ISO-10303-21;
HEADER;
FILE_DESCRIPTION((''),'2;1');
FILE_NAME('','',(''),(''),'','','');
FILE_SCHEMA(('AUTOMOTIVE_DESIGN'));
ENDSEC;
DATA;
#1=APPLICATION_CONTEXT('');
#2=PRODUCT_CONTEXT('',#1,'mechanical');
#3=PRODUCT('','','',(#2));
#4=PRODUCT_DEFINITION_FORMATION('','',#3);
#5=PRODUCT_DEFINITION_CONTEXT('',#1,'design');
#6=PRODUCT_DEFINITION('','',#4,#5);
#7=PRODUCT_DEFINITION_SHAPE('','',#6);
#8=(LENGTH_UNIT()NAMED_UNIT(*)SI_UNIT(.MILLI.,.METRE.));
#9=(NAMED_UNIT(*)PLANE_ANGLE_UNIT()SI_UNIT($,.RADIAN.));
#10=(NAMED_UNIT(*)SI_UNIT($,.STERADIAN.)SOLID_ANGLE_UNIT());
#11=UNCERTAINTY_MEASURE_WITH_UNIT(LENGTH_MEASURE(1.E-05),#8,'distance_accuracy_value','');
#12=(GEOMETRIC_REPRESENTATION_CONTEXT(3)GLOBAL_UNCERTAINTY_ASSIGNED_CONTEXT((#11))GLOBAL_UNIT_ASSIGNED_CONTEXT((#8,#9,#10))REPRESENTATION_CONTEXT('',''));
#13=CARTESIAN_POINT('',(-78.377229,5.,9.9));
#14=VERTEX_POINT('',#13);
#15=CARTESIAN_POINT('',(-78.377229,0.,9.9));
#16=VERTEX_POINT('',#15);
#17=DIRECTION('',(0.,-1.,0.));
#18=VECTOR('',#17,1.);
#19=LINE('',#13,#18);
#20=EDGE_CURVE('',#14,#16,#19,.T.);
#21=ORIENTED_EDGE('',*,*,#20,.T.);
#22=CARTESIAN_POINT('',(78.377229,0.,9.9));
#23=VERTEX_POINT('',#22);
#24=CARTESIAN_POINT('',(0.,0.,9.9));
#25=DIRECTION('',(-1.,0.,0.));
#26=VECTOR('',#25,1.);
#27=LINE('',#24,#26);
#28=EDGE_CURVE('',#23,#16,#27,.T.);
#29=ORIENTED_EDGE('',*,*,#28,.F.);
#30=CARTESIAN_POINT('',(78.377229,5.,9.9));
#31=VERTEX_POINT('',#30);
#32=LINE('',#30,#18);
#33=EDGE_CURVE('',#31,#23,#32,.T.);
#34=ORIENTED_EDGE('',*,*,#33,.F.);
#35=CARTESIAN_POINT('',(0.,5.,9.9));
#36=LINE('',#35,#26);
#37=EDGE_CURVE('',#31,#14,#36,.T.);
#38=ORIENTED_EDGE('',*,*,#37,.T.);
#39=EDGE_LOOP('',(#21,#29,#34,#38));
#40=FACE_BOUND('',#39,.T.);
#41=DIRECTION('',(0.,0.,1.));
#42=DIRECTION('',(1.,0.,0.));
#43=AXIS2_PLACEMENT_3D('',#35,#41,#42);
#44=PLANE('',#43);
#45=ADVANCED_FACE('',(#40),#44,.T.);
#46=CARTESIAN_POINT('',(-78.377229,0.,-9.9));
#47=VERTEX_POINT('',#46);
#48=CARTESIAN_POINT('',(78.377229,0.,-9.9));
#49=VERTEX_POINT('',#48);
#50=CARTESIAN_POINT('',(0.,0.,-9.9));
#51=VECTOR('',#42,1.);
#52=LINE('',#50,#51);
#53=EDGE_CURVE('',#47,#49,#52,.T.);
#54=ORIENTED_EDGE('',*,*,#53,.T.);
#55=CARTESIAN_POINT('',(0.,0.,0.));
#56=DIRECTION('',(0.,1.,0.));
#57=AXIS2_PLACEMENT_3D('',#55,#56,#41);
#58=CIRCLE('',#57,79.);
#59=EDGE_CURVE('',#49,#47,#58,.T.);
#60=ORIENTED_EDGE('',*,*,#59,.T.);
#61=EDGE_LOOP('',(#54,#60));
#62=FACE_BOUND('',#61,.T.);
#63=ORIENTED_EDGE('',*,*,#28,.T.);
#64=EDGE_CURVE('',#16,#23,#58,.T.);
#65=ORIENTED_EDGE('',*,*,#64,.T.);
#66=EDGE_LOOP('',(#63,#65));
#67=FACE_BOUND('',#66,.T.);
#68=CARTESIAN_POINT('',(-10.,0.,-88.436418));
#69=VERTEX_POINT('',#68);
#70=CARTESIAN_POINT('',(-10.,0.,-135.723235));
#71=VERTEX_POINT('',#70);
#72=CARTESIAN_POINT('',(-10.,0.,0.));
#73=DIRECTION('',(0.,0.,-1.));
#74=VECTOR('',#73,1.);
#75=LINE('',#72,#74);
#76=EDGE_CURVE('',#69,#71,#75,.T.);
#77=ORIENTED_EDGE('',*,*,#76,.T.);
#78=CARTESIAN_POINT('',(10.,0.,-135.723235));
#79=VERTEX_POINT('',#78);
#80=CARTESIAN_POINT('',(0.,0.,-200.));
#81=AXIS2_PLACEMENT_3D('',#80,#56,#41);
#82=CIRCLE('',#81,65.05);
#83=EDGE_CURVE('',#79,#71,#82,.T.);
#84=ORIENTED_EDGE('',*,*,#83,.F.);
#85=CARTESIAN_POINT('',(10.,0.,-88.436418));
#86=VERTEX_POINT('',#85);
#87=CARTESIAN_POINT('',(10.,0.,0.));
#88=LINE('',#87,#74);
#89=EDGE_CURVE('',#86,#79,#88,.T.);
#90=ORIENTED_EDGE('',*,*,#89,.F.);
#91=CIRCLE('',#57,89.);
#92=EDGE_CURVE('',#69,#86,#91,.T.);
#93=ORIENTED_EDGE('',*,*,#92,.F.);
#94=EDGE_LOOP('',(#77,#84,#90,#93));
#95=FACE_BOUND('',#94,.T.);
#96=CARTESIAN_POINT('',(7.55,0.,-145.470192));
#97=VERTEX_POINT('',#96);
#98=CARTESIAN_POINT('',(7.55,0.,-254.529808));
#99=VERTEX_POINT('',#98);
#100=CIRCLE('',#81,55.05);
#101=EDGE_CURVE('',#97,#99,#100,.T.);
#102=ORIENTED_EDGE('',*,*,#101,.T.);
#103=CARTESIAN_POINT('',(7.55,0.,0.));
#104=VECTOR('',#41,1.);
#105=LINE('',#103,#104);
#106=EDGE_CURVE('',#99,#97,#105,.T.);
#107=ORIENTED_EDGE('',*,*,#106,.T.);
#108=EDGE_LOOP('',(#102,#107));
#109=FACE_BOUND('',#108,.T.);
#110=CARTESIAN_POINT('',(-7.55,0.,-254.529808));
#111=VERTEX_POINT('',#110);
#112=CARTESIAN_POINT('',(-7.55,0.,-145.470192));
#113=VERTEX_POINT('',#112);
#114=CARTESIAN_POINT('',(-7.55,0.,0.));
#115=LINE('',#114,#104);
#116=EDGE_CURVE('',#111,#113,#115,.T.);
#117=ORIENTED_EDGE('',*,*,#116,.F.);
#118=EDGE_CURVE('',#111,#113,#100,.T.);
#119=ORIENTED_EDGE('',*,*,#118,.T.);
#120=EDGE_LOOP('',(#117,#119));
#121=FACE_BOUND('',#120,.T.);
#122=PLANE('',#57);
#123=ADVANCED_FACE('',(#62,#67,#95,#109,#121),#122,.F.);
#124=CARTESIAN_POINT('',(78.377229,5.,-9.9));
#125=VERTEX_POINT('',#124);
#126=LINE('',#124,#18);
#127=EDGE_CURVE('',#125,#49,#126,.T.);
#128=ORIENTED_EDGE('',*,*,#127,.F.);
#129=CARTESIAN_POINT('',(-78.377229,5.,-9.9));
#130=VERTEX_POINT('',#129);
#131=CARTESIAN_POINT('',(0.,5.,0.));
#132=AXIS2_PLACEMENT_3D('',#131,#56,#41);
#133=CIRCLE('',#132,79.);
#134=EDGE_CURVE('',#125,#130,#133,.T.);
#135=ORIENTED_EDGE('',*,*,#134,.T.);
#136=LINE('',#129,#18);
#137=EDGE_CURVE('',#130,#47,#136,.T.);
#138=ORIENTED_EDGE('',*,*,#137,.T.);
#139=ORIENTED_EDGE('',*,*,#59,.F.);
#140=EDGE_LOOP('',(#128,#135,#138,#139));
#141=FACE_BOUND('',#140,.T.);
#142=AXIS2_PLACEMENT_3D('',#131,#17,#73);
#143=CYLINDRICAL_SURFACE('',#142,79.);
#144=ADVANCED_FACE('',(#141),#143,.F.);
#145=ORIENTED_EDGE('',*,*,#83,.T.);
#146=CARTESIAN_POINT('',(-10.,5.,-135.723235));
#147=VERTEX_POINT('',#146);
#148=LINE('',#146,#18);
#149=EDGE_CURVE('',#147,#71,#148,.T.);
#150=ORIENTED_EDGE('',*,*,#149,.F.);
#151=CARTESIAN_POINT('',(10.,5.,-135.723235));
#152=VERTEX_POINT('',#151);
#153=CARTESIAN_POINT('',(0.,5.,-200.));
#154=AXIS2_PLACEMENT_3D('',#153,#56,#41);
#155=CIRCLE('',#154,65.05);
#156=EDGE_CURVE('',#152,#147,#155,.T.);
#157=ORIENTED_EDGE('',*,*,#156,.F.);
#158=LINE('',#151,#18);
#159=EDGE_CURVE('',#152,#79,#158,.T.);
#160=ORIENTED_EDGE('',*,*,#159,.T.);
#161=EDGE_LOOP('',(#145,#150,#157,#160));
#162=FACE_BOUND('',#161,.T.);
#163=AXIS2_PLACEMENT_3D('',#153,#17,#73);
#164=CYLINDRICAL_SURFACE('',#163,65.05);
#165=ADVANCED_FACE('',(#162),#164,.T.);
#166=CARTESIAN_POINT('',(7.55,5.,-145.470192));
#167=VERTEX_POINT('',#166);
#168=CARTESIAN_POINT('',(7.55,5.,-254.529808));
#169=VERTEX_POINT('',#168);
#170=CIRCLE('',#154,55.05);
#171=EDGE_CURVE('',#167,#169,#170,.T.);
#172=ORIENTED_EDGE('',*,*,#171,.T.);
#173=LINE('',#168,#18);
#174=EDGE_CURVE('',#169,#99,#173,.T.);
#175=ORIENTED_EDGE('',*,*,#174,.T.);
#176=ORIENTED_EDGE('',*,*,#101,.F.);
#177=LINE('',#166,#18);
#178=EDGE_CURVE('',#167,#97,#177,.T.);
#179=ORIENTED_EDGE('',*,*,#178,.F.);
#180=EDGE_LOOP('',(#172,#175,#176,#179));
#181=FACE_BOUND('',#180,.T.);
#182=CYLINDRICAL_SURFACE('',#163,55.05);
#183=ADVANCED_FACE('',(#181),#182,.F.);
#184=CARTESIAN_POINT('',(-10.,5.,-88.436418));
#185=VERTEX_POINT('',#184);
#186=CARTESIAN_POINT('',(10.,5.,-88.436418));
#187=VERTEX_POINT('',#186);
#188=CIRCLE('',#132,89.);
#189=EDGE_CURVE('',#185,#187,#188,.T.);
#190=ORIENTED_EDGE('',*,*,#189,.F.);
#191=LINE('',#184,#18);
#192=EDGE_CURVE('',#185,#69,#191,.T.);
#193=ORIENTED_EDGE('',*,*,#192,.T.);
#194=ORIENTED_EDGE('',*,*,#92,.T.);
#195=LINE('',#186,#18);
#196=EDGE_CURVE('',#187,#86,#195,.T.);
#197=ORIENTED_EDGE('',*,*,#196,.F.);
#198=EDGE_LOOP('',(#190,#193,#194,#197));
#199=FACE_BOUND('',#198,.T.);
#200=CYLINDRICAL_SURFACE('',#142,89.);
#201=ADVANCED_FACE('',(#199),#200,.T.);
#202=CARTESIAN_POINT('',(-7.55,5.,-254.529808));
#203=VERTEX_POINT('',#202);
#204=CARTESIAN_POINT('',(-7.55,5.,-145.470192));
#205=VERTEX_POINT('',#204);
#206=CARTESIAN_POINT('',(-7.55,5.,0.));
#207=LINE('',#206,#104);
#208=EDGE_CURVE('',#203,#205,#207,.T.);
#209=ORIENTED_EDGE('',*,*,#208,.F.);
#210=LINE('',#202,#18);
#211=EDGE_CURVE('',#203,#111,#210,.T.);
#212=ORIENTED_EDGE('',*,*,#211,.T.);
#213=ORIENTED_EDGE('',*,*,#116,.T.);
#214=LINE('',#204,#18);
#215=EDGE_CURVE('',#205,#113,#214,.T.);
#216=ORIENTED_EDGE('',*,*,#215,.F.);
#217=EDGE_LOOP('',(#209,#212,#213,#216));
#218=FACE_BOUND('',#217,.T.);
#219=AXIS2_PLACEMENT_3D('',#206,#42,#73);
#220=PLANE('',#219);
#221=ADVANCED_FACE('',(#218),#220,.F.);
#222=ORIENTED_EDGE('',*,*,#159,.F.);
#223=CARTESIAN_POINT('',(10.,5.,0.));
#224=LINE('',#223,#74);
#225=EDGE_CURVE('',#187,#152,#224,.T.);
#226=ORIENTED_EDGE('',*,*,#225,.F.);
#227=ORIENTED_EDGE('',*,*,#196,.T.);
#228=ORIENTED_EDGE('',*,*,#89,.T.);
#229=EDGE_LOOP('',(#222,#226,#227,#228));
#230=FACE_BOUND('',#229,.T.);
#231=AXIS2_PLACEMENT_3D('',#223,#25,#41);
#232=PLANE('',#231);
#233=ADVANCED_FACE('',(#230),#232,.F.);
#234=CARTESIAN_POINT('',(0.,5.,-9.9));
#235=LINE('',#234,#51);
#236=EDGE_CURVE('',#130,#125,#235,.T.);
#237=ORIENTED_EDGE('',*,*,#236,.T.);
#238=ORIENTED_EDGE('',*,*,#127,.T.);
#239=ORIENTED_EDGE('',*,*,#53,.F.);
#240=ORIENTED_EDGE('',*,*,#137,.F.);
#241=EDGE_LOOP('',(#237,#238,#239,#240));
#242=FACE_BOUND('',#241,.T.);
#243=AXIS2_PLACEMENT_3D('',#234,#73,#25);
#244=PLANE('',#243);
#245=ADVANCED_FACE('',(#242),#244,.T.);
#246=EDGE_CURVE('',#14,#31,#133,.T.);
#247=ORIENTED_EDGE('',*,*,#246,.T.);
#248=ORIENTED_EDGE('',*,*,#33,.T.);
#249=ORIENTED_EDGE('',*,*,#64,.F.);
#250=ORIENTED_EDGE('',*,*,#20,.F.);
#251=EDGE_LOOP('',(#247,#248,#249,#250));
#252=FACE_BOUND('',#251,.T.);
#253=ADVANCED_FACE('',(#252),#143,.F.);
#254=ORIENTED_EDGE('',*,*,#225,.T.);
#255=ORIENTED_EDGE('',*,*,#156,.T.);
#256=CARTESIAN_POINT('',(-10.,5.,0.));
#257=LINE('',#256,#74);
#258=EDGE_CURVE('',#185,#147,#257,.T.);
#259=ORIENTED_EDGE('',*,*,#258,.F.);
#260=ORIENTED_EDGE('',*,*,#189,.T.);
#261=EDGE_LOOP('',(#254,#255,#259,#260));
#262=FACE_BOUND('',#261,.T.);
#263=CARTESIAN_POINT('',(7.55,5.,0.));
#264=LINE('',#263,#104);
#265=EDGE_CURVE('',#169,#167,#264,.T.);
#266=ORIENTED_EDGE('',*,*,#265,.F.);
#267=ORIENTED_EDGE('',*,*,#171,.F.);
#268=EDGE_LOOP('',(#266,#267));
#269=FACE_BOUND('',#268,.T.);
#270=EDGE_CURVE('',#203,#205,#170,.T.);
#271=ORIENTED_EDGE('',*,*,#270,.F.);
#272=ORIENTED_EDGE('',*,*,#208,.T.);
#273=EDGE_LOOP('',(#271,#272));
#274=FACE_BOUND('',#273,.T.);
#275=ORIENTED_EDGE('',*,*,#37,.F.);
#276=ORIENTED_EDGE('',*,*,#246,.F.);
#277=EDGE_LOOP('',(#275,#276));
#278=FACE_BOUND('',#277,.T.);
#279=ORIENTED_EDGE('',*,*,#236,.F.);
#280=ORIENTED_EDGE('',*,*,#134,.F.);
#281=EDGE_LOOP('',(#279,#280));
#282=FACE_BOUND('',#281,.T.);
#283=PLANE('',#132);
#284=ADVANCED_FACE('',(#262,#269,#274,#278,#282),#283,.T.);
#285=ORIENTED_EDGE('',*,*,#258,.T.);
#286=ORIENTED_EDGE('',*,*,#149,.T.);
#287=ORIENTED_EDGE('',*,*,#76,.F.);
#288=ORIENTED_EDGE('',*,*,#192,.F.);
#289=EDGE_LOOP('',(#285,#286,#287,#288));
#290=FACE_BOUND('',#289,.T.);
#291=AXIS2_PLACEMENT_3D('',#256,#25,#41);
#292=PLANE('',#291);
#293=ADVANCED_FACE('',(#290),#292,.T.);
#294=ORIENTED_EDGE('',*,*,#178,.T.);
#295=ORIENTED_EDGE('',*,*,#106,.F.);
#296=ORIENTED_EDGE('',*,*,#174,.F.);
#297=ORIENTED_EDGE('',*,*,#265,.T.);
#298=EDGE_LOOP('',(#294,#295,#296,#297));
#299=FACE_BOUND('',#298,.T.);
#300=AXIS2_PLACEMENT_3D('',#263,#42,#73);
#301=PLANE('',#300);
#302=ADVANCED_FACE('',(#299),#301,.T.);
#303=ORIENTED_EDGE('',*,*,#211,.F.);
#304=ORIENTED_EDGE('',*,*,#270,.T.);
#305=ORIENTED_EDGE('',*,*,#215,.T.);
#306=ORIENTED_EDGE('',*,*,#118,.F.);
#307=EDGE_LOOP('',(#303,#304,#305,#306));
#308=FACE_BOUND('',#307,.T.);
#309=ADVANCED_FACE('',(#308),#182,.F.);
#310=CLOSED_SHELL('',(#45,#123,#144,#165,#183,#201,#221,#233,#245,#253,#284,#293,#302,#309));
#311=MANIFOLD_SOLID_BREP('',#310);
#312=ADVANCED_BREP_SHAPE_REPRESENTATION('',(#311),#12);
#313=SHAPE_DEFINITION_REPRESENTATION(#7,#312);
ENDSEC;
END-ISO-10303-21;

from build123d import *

# Parameters (mm, degrees)
BOSS_EXTRUDE1_DEPTH = 5


with BuildPart() as part:
    # Sketch1 → Boss-Extrude1 (new body)
    with BuildSketch(Plane(origin=(0, 0, 0), x_dir=(1, 0, 0), z_dir=(0, 1, 0))):
        with BuildLine():
            ThreePointArc((-10, 88.436417838), (0, -89), (10, 88.436417838))
            Line((10, 88.436417838), (10, 135.723235147))
            ThreePointArc((10, 135.723235147), (0, 265.05), (-10, 135.723235147))
            Line((-10, 135.723235147), (-10, 88.436417838))
        make_face()
        with BuildLine():
            ThreePointArc((-7.55, 145.470191638), (-55.05, 200), (-7.55, 254.529808362))
            Line((-7.55, 254.529808362), (-7.55, 145.470191638))
        make_face(mode=Mode.SUBTRACT)
        with BuildLine():
            Line((7.55, 145.470191638), (7.55, 254.529808362))
            ThreePointArc((7.55, 254.529808362), (55.05, 200), (7.55, 145.470191638))
        make_face(mode=Mode.SUBTRACT)
        with BuildLine():
            Line((-78.377228836, -9.9), (78.377228836, -9.9))
            ThreePointArc((78.377228836, -9.9), (0, -79), (-78.377228836, -9.9))
        make_face(mode=Mode.SUBTRACT)
        with BuildLine():
            Line((78.377228836, 9.9), (-78.377228836, 9.9))
            ThreePointArc((-78.377228836, 9.9), (0, 79), (78.377228836, 9.9))
        make_face(mode=Mode.SUBTRACT)
    extrude(amount=BOSS_EXTRUDE1_DEPTH)


solid = part.part
